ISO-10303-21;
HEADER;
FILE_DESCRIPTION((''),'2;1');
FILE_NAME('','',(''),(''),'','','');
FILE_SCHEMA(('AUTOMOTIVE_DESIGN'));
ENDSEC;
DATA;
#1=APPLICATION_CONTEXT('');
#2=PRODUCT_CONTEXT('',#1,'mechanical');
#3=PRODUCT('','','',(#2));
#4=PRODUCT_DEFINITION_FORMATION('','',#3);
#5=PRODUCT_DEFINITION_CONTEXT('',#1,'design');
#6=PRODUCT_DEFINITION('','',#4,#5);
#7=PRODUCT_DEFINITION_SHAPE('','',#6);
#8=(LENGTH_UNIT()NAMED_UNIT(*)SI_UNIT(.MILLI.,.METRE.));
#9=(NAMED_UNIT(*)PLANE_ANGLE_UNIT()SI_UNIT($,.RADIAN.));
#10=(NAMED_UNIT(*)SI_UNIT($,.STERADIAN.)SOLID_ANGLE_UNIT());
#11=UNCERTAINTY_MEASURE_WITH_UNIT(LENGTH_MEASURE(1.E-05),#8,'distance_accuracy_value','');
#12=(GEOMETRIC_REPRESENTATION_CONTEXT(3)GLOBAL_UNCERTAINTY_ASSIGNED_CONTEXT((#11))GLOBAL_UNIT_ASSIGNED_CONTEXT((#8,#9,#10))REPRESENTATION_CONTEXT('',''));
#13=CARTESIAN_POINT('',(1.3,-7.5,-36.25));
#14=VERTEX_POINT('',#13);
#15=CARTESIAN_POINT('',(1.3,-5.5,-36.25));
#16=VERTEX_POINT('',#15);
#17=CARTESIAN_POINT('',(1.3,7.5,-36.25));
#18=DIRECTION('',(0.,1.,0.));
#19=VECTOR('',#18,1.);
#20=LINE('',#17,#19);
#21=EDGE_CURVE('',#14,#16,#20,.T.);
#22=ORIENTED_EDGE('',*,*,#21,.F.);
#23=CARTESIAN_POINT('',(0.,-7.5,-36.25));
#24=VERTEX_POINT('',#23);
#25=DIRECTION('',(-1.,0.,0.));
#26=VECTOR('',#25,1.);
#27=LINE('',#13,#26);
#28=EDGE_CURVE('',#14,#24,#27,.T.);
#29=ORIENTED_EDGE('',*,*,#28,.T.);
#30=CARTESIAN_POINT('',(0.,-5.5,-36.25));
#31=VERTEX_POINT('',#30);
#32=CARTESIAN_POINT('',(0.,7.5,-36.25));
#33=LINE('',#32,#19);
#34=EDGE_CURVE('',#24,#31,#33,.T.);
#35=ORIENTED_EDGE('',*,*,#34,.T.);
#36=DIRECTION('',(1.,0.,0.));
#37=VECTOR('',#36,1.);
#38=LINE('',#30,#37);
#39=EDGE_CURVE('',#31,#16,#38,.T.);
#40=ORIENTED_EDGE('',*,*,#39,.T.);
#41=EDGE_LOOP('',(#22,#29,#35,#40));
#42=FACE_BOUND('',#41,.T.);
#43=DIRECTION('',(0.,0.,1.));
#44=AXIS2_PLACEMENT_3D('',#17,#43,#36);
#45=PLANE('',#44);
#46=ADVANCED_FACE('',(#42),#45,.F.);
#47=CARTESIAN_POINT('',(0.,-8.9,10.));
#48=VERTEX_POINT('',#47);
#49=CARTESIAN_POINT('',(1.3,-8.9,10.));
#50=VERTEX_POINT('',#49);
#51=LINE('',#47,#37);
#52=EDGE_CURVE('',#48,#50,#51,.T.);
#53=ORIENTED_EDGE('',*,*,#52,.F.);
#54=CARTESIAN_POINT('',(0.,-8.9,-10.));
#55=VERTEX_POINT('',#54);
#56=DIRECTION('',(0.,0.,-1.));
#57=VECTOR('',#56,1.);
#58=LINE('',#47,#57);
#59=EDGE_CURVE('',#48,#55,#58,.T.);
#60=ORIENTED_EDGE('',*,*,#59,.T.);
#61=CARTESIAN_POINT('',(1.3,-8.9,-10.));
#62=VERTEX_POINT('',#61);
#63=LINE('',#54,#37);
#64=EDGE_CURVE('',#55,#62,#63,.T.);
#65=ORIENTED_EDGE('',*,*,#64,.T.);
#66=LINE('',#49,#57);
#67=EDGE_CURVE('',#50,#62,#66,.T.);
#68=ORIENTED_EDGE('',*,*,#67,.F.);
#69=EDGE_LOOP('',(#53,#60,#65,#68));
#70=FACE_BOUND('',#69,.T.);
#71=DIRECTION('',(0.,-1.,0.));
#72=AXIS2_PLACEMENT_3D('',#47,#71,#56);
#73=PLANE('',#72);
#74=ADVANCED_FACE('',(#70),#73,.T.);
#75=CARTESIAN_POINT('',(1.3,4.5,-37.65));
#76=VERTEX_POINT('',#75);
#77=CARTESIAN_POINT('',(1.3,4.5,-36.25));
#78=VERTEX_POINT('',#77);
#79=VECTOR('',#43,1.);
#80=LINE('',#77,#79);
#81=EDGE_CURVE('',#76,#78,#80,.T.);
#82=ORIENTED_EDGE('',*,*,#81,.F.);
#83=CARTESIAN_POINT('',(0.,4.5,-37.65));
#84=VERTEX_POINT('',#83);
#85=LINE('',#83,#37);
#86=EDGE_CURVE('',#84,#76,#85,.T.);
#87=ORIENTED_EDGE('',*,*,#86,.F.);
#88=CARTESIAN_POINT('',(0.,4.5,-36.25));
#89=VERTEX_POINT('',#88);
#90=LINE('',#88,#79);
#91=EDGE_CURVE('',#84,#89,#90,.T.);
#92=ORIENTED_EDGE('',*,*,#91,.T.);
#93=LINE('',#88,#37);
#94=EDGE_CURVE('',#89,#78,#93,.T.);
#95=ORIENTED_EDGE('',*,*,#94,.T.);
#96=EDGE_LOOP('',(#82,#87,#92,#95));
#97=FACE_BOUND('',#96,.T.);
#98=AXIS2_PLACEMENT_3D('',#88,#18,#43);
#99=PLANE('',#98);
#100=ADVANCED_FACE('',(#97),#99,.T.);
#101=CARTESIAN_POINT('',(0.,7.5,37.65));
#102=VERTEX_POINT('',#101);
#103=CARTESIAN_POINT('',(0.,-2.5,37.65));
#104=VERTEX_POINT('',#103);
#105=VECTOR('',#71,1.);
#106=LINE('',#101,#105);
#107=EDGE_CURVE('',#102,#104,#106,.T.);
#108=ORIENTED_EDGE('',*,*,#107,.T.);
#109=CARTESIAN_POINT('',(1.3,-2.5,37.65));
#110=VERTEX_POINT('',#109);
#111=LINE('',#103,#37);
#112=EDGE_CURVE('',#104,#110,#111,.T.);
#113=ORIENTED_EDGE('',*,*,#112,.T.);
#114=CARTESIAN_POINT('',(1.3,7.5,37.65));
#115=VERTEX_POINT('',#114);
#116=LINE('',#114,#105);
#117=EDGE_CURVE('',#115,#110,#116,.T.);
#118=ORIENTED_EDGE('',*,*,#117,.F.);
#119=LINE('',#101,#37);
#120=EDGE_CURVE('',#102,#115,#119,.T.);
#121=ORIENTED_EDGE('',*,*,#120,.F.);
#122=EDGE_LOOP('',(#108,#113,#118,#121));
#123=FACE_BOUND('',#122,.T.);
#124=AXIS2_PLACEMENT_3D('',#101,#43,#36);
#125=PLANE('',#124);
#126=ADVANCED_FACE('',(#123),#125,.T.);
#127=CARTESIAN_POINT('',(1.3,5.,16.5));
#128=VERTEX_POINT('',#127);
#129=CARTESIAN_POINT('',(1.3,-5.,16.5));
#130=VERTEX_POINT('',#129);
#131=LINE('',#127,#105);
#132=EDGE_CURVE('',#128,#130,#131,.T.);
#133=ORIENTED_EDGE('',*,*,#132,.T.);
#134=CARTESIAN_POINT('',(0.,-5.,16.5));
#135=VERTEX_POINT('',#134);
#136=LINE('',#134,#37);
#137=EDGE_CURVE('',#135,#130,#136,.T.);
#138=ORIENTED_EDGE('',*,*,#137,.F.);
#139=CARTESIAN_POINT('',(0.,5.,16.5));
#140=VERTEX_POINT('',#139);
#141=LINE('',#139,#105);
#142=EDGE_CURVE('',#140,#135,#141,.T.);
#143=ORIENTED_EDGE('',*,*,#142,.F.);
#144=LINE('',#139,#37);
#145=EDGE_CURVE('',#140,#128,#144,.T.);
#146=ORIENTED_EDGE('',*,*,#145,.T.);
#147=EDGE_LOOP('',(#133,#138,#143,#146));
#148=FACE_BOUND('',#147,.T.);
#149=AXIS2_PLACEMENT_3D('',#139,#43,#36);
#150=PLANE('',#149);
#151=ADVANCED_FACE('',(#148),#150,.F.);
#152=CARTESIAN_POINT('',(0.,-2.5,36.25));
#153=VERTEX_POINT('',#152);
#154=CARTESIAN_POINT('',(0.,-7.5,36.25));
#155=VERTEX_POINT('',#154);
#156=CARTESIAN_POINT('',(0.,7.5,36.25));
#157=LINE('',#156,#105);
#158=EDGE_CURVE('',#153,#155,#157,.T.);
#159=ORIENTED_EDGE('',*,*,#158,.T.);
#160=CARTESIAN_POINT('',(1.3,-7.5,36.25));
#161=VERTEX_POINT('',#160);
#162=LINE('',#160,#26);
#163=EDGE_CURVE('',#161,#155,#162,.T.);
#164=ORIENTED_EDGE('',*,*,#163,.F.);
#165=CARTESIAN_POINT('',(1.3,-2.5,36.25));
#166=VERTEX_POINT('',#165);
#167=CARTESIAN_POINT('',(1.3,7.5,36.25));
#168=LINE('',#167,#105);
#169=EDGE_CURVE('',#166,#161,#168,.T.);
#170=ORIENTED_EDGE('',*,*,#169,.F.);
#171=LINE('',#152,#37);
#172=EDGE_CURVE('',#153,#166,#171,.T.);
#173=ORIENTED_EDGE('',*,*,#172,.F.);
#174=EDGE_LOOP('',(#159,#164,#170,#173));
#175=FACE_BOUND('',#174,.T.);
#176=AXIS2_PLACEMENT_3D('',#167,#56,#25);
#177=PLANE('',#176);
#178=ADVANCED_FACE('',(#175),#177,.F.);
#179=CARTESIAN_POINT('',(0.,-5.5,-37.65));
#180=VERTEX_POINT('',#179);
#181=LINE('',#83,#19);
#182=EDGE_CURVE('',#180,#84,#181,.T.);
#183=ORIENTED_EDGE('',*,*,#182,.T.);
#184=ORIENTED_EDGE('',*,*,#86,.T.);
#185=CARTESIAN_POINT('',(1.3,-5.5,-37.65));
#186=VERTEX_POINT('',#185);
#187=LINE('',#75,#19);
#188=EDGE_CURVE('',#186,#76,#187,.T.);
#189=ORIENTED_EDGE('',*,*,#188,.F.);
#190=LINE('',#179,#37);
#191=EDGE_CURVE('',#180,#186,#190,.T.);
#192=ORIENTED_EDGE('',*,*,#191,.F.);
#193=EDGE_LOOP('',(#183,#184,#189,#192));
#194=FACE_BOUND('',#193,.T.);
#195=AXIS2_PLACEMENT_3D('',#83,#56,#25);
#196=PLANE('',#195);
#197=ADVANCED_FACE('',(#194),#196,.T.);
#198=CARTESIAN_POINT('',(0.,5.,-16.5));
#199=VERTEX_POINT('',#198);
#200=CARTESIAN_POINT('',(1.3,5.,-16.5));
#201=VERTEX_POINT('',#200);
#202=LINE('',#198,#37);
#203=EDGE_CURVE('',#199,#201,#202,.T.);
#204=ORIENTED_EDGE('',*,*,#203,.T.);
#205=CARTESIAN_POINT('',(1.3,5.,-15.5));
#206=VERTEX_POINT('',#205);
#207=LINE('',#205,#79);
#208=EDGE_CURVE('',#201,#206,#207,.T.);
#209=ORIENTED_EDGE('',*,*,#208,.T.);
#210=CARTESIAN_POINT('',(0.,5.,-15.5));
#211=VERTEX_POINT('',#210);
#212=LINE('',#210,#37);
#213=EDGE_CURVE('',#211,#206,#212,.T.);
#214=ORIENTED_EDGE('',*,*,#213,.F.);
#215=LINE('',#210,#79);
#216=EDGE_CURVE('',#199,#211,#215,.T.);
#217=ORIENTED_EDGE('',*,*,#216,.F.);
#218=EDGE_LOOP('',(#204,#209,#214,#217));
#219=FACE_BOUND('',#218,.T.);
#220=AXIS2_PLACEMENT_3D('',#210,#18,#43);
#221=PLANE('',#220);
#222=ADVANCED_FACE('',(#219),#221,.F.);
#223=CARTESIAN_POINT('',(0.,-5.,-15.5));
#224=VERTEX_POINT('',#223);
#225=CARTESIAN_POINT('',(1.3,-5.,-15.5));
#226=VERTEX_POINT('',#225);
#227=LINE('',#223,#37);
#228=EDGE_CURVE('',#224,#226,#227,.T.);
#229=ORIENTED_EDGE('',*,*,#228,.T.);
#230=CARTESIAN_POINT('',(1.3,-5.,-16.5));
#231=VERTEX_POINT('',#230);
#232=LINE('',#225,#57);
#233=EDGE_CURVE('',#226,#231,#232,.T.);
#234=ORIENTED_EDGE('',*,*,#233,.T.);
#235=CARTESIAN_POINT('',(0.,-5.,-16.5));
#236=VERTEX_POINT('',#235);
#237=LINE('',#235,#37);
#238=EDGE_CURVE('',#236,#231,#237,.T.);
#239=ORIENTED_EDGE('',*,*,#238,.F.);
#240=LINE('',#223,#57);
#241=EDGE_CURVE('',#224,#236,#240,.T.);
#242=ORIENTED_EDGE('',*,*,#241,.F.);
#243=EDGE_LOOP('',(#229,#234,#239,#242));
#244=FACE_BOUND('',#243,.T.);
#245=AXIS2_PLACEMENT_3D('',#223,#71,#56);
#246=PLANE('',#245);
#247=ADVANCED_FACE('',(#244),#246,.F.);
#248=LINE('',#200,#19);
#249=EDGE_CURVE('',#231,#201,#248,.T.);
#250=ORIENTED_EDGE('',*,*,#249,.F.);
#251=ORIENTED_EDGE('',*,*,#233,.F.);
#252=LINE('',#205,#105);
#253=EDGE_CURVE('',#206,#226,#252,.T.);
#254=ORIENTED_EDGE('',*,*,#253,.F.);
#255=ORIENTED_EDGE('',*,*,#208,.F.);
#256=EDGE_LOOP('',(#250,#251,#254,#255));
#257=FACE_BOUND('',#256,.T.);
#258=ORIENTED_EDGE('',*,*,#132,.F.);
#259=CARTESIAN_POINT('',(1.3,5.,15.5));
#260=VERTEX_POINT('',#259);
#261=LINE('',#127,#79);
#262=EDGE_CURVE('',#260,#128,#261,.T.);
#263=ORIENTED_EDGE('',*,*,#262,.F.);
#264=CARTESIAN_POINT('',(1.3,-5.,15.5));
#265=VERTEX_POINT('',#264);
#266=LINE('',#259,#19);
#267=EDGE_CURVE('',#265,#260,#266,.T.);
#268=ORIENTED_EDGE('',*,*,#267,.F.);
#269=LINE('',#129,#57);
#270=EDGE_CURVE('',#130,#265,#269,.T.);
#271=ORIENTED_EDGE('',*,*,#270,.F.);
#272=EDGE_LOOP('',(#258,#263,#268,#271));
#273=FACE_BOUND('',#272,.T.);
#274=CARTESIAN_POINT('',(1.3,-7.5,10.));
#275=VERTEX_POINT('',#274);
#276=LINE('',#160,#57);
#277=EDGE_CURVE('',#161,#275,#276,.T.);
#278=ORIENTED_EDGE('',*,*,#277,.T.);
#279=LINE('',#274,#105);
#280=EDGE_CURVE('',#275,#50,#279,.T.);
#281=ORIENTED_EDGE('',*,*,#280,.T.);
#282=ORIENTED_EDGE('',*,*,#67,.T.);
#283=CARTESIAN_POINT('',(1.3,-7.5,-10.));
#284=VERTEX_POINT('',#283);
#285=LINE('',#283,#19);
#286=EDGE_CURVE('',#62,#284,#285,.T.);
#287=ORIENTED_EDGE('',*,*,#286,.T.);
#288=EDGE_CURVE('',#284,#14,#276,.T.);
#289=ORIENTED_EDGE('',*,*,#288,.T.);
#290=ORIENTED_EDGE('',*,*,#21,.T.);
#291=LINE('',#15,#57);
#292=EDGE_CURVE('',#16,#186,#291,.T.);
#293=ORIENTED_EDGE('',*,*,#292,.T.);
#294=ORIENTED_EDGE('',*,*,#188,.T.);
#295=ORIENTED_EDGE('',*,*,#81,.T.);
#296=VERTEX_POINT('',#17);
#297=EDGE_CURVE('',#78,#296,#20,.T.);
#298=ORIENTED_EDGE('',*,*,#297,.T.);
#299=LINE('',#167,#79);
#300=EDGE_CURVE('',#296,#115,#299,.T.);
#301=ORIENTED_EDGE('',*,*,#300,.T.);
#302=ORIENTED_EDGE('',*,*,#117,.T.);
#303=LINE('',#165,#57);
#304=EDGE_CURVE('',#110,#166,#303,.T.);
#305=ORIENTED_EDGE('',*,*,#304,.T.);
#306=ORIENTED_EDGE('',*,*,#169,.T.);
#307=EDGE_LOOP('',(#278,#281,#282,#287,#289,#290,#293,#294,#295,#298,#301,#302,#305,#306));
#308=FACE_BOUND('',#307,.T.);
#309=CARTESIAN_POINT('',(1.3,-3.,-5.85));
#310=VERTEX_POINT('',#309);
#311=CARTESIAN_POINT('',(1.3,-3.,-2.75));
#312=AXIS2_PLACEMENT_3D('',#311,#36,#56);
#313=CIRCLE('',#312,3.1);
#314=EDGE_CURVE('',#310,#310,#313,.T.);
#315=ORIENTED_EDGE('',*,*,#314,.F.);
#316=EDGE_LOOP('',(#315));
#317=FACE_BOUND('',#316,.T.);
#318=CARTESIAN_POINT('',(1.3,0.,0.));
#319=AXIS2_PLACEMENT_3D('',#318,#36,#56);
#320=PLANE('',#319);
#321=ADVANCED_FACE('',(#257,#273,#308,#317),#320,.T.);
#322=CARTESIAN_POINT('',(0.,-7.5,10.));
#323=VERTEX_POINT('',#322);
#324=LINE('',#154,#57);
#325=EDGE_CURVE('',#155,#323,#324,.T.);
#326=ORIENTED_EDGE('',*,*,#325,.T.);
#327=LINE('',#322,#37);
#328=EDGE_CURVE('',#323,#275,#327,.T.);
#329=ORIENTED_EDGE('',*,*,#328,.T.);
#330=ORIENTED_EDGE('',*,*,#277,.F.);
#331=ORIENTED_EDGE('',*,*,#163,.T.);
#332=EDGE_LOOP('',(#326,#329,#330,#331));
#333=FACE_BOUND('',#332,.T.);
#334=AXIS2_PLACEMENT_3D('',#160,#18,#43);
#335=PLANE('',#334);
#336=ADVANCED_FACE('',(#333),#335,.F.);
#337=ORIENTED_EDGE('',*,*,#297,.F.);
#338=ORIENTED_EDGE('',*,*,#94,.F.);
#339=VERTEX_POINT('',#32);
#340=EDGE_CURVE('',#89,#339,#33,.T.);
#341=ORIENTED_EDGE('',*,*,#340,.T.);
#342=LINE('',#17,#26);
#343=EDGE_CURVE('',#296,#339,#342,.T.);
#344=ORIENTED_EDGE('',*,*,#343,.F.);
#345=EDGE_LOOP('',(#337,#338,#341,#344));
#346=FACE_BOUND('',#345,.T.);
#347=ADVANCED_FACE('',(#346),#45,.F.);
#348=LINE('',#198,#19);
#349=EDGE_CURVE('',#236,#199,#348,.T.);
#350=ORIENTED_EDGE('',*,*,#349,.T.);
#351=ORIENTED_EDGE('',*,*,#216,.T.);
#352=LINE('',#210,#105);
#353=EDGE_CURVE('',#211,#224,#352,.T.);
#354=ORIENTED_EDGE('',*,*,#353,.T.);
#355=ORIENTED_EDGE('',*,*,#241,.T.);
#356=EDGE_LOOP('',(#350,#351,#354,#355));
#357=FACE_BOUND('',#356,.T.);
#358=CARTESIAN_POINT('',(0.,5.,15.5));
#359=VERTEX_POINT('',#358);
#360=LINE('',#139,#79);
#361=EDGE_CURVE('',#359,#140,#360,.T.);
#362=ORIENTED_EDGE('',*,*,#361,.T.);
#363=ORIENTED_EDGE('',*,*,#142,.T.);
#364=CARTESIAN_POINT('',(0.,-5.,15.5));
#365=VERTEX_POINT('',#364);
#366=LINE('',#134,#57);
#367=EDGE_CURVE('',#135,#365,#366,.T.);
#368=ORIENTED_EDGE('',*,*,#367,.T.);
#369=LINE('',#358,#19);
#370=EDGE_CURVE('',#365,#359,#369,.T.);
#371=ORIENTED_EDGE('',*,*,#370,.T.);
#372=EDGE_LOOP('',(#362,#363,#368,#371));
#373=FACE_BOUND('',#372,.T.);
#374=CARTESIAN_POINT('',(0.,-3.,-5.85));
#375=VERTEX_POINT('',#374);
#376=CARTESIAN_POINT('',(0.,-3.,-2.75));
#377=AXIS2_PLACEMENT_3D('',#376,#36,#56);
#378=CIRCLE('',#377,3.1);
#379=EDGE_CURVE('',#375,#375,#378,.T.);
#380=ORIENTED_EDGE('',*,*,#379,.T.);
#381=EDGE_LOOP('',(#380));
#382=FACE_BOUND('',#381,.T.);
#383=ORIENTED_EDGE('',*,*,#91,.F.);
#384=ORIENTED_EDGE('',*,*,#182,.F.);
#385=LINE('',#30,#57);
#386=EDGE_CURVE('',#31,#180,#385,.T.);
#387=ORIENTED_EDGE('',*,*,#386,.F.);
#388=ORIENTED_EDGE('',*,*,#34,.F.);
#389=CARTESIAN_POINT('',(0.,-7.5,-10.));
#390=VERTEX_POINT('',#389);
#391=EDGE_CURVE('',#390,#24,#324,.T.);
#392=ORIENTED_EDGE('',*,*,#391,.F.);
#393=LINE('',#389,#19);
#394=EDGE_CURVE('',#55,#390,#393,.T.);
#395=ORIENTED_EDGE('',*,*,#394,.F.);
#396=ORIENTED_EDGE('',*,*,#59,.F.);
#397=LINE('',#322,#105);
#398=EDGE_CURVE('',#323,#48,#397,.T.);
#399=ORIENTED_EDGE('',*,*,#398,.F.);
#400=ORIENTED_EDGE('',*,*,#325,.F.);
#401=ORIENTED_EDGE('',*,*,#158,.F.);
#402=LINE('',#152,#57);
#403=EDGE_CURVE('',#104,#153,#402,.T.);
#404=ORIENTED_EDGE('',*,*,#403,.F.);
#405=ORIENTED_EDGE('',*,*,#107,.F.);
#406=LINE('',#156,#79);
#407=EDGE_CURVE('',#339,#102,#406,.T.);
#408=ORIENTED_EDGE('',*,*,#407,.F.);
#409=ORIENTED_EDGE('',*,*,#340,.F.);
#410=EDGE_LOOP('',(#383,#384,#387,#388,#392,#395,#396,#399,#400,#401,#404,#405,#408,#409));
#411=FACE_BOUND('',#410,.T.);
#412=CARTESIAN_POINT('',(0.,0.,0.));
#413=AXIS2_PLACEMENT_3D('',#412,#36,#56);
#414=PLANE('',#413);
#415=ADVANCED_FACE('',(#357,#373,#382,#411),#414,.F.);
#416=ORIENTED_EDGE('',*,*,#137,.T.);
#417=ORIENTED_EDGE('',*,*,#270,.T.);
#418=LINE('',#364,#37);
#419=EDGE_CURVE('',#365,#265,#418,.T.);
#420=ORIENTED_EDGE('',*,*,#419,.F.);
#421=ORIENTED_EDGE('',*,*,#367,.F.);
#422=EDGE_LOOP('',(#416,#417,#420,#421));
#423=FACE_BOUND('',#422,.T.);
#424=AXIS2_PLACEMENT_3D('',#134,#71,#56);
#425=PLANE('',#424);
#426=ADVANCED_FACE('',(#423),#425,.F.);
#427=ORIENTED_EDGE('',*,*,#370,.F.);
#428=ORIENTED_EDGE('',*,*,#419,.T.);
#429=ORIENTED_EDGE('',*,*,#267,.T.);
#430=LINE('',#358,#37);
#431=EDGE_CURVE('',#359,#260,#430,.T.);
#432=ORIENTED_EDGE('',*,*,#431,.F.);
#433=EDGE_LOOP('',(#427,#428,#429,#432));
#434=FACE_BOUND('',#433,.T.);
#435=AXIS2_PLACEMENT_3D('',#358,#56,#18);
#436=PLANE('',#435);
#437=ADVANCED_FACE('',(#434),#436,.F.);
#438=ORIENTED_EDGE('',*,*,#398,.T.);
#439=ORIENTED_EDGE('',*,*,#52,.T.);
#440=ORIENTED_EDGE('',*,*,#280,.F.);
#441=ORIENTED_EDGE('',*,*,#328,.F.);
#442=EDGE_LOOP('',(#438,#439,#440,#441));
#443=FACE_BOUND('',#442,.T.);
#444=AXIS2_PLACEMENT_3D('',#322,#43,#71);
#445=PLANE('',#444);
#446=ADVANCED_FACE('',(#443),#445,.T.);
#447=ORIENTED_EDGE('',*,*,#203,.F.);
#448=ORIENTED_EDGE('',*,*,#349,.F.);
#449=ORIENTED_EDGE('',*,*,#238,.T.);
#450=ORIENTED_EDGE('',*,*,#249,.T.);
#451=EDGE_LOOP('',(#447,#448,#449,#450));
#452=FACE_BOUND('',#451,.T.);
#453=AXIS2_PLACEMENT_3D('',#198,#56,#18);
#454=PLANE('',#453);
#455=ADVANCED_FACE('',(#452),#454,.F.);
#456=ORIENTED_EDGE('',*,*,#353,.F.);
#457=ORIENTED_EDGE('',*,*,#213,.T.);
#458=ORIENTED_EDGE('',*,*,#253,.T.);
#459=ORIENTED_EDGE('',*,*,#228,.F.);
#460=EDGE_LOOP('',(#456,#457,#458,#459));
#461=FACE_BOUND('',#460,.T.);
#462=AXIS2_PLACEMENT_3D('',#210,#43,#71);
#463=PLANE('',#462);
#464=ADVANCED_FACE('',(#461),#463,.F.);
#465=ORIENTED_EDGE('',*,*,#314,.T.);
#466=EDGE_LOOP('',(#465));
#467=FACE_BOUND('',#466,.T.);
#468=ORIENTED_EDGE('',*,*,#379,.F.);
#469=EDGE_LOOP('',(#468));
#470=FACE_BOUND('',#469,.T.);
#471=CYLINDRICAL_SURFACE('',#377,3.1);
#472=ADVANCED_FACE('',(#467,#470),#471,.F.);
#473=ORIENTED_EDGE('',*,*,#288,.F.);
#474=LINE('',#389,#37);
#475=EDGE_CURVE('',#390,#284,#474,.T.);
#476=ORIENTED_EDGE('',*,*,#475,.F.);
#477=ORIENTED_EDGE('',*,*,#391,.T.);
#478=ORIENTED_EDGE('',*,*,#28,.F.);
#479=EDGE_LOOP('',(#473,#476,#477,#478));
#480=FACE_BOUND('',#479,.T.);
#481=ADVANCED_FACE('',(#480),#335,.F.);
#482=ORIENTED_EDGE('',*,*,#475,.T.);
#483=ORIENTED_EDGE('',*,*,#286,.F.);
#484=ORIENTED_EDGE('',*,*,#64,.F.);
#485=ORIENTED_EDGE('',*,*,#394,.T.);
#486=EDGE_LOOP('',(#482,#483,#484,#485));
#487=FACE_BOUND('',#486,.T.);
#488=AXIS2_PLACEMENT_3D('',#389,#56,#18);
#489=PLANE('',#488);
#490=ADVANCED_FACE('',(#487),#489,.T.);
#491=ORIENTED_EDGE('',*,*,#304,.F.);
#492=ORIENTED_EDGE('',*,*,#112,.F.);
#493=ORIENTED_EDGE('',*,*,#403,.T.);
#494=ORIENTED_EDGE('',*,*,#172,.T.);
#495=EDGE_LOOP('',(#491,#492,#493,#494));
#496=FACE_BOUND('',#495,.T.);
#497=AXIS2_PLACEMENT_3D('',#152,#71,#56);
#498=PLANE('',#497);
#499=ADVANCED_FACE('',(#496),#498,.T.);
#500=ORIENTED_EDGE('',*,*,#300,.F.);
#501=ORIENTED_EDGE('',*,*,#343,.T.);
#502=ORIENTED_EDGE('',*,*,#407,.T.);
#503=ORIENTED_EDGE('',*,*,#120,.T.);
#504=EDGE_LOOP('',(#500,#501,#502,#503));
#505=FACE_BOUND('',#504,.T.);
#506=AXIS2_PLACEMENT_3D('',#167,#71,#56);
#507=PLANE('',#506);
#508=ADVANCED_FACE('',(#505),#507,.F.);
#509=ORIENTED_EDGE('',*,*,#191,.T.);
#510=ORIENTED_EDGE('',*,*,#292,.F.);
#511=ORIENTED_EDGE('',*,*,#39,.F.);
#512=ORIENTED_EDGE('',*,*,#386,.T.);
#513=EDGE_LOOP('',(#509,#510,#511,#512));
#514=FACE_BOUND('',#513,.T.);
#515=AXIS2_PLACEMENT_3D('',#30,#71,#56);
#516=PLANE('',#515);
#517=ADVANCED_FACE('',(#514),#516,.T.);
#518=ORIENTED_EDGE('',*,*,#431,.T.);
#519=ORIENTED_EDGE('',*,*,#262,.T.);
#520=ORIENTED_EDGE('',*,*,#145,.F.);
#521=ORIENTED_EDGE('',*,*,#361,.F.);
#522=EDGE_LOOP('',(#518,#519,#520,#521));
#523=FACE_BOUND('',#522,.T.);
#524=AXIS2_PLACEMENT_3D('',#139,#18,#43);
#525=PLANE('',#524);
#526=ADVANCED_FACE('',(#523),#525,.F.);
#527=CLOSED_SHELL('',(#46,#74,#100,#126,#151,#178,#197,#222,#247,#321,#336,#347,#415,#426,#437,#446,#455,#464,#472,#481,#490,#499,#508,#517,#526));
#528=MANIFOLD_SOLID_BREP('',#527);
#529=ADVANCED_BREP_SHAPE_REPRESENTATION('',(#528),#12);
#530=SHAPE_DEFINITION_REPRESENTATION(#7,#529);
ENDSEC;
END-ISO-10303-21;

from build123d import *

# Parameters (mm, degrees)
SKETCH1_W           = 72.5
SKETCH1_H           = 15
BOSS_EXTRUDE1_DEPTH = 1.3
SKETCH2_W           = 1.4
SKETCH2_H           = 10
SKETCH2_W_2         = 20
SKETCH2_H_2         = 1.4
BOSS_EXTRUDE2_DEPTH = 1.3
SKETCH3_W           = 1
SKETCH3_H           = 10
CUT_EXTRUDE1_DEPTH  = 39.709462667
SKETCH4_R           = 3.1
CUT_EXTRUDE2_DEPTH  = 39.709462667


with BuildPart() as part:
    # Sketch1 → Boss-Extrude1 (new body)
    with BuildSketch(Plane(origin=(0, 0, 0), x_dir=(0, 0, -1), z_dir=(1, 0, 0))):
        Rectangle(SKETCH1_W, SKETCH1_H)
    extrude(amount=BOSS_EXTRUDE1_DEPTH)

    # Sketch2 → Boss-Extrude2 (add)
    with BuildSketch(Plane(origin=(1.3, 0, 0), x_dir=(0, 0, -1), z_dir=(1, 0, 0))):
        with Locations((-36.95, 2.5)):
            Rectangle(SKETCH2_W, SKETCH2_H)
        with Locations((36.95, -0.5)):
            Rectangle(SKETCH2_W, SKETCH2_H)
        with Locations((0, -8.2)):
            Rectangle(SKETCH2_W_2, SKETCH2_H_2)
    extrude(amount=-BOSS_EXTRUDE2_DEPTH)

    # Sketch3 → Cut-Extrude1 (cut, through all)
    with BuildSketch(Plane(origin=(1.3, 0, 0), x_dir=(0, 0, -1), z_dir=(1, 0, 0))):
        with Locations((16, 0)):
            Rectangle(SKETCH3_W, SKETCH3_H)
        with Locations((-16, 0)):
            Rectangle(SKETCH3_W, SKETCH3_H)
    extrude(amount=-CUT_EXTRUDE1_DEPTH, mode=Mode.SUBTRACT)

    # Sketch4 → Cut-Extrude2 (cut, through all)
    with BuildSketch(Plane(origin=(1.3, 0, 0), x_dir=(0, 0, -1), z_dir=(1, 0, 0))):
        with Locations((2.75, -3)):
            Circle(SKETCH4_R)
    extrude(amount=-CUT_EXTRUDE2_DEPTH, mode=Mode.SUBTRACT)


solid = part.part
